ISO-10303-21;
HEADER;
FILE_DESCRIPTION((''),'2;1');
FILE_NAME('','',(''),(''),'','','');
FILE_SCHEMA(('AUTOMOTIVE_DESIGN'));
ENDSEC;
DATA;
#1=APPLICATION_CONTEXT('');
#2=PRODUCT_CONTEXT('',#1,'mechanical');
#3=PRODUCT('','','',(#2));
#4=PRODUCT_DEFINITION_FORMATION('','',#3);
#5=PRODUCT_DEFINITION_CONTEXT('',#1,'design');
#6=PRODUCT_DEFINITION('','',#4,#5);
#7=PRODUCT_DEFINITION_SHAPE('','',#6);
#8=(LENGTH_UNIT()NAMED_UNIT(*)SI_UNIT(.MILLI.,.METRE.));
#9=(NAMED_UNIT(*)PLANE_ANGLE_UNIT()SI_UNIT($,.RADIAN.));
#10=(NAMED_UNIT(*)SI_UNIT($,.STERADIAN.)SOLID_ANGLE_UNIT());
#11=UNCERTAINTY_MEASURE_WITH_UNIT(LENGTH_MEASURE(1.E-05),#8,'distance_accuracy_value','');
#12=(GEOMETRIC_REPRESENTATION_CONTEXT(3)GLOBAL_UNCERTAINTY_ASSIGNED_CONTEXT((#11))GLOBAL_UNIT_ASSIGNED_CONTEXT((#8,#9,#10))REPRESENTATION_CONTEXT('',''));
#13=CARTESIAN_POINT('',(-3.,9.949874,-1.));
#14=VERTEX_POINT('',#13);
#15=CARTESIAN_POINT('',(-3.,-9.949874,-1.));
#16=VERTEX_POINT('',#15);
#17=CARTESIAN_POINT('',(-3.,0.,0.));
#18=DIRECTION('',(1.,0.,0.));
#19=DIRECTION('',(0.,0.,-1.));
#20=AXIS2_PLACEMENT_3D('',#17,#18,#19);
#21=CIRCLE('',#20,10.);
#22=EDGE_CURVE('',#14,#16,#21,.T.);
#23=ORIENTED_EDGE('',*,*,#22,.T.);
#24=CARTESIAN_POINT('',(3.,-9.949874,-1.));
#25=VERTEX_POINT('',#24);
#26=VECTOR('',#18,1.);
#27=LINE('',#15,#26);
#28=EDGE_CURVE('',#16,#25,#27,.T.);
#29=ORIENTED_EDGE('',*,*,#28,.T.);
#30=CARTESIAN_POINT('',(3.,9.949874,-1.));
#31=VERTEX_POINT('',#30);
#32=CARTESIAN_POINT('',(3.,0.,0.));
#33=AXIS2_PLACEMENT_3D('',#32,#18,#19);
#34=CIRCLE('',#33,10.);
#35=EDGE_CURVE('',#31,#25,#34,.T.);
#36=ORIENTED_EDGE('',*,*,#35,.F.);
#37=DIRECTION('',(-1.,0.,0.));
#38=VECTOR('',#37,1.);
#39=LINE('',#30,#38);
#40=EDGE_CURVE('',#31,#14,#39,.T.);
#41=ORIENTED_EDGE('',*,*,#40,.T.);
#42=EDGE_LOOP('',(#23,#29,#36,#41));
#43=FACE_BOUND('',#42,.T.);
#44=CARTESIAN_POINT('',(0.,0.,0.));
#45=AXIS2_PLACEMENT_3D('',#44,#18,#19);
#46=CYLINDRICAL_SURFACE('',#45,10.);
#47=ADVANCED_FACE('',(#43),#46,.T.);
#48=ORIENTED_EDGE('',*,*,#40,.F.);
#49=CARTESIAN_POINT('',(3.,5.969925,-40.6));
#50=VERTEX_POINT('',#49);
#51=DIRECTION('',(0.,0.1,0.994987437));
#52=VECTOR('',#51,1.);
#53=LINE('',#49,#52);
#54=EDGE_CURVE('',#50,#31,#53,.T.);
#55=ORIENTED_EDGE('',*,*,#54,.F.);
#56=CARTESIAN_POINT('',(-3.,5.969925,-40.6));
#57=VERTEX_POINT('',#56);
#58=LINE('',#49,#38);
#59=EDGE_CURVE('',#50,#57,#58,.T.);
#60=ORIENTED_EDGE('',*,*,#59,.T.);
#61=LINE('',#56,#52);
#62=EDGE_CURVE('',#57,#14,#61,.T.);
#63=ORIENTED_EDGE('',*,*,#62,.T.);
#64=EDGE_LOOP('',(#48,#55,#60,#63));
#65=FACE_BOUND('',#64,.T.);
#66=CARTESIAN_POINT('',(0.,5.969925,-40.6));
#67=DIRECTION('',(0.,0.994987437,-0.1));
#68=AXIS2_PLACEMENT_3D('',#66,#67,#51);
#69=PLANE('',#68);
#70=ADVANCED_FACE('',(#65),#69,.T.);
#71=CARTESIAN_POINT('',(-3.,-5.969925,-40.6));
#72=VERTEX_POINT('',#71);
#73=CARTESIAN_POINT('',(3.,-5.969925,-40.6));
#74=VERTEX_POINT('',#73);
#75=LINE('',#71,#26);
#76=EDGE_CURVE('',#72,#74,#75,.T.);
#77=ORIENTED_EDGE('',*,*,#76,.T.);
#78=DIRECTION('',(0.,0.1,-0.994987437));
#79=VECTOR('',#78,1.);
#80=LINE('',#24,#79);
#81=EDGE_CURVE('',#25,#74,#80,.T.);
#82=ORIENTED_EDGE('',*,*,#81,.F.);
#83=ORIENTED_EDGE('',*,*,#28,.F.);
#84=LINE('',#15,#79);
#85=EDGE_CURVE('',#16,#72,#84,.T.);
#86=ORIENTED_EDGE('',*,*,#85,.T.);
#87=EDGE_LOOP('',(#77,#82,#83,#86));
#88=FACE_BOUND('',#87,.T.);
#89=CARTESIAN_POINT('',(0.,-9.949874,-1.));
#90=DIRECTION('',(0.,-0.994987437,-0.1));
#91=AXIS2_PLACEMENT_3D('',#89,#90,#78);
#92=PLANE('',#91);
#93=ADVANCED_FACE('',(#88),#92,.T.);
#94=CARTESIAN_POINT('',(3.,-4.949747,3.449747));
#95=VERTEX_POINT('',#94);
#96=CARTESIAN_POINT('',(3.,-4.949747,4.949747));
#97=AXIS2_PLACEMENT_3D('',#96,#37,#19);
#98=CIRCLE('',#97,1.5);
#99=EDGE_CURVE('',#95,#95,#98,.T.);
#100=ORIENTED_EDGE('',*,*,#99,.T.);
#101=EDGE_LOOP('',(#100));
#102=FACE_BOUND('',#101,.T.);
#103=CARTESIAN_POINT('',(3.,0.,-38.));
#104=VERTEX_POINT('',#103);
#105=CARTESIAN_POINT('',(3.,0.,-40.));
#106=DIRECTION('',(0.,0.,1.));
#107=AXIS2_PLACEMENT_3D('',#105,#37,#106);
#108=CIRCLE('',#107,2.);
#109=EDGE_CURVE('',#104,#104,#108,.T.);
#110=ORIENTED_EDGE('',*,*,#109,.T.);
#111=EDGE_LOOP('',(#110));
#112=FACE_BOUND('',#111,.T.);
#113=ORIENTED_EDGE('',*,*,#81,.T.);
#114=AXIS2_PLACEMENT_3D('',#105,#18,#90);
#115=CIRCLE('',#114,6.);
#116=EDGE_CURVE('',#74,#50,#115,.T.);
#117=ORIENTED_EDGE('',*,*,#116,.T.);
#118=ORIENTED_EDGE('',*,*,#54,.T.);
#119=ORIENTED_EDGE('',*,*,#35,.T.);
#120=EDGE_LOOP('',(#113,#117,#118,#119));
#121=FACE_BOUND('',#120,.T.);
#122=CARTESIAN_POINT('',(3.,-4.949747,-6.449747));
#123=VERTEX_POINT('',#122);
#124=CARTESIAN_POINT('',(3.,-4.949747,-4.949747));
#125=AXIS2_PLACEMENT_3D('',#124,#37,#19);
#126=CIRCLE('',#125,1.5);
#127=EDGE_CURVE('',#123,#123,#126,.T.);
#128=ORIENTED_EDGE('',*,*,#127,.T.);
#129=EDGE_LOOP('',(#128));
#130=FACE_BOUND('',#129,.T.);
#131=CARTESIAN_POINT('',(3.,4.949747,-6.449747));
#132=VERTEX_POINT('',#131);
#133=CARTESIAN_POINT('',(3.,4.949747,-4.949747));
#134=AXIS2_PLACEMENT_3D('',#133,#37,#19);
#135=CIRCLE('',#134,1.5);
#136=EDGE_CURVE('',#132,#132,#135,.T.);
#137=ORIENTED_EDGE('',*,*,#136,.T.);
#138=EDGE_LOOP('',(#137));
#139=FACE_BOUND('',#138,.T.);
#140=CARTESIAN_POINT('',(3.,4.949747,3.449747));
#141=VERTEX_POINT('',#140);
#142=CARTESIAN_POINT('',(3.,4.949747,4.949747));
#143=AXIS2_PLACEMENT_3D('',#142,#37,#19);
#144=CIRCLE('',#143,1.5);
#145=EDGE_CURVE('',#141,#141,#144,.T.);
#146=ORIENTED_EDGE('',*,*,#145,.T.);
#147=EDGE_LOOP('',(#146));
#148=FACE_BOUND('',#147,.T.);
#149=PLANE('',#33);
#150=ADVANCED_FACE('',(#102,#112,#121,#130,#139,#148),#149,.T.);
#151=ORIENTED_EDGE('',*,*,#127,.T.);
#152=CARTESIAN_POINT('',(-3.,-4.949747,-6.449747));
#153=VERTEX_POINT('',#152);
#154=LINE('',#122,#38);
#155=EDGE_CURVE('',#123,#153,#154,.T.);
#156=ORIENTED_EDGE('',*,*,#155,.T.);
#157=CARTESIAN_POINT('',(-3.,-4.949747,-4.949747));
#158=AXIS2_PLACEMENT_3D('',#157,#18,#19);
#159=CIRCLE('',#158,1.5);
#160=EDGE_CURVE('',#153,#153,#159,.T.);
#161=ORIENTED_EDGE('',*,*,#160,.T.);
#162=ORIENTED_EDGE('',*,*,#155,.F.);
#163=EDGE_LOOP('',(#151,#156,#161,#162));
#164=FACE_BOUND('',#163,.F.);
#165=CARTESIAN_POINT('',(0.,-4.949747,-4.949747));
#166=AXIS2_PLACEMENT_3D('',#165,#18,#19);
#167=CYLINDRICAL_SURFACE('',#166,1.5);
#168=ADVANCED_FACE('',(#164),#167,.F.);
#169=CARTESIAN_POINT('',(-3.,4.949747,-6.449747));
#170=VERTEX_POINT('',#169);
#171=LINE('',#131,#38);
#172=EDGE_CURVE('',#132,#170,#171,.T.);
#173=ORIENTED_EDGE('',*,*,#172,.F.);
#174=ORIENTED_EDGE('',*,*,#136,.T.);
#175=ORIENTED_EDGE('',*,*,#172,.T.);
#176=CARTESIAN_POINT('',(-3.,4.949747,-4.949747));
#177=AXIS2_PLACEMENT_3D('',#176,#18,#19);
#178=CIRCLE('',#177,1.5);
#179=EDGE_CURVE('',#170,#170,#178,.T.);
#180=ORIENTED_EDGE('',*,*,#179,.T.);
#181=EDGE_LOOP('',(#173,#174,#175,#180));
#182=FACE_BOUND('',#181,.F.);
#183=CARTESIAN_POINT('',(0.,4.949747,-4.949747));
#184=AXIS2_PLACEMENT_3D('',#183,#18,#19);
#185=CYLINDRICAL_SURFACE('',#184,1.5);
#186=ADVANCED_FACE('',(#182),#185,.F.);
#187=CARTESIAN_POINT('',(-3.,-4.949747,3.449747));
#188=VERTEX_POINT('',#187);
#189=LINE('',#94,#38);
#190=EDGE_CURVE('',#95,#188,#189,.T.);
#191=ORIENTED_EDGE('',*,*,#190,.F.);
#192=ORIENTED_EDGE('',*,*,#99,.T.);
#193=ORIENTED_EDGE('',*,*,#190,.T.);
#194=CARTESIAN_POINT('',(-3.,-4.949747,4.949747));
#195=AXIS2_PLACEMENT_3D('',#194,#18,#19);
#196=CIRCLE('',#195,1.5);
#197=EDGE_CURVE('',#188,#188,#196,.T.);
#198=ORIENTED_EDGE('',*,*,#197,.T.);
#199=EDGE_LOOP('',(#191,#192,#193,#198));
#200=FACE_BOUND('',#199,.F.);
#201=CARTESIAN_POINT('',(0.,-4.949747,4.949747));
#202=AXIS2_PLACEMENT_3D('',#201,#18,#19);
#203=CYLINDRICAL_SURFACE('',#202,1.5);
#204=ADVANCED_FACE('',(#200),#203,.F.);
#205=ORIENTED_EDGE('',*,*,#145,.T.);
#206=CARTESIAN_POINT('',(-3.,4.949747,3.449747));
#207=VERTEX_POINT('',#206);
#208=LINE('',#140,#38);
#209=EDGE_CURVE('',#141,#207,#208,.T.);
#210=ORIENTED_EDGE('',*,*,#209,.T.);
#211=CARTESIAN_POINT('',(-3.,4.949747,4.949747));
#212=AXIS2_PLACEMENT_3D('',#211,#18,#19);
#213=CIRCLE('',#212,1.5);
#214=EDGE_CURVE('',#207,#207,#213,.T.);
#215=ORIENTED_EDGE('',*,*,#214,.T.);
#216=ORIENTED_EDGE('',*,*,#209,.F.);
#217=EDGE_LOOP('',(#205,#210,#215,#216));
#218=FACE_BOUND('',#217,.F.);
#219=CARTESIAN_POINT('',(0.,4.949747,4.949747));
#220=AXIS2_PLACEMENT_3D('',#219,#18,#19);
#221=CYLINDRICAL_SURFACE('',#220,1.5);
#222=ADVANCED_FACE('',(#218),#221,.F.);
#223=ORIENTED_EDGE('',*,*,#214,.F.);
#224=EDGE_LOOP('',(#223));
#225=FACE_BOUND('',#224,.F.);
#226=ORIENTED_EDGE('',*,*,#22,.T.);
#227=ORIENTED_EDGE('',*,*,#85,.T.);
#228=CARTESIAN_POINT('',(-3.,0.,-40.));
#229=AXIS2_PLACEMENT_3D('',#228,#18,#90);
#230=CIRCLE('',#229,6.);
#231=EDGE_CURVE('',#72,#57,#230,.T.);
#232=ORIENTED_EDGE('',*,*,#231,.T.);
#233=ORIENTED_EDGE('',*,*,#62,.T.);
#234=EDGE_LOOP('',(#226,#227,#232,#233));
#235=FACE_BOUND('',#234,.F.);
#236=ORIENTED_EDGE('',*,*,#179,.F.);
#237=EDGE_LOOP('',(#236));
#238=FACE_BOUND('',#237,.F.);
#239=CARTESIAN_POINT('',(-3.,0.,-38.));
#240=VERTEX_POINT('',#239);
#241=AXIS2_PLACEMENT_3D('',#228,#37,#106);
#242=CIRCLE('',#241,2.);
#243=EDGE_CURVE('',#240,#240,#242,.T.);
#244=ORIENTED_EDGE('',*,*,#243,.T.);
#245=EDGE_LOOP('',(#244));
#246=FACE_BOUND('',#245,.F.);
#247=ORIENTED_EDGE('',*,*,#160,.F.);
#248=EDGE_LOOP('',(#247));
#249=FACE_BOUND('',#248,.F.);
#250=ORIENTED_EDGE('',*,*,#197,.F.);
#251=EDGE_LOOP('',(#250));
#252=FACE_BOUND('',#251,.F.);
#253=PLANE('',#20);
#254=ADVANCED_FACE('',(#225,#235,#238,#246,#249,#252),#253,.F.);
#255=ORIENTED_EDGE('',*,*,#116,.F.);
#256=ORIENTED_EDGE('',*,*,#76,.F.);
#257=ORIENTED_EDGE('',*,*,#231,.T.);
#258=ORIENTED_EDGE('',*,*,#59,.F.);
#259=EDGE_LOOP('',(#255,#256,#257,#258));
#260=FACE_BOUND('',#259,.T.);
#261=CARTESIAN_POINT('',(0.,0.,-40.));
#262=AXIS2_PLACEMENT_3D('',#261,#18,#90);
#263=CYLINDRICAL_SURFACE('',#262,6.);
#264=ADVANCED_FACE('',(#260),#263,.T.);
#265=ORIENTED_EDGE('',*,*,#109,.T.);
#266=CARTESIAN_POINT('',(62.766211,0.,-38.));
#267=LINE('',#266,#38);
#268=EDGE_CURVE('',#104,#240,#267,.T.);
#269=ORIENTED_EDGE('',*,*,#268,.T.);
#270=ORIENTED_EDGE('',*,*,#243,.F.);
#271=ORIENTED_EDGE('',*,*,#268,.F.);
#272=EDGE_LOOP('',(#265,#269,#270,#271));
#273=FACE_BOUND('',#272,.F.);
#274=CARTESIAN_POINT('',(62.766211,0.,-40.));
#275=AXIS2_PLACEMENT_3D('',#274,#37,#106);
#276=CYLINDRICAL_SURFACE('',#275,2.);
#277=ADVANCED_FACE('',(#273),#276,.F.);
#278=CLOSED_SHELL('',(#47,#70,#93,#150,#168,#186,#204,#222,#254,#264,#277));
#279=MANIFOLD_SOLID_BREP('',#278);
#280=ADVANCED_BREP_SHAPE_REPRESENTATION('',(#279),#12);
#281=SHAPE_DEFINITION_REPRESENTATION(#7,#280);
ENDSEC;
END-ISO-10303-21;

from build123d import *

# Parameters (mm, degrees)
SKETCH1_R               = 10
SKETCH1_R_2             = 6
BOSS_EXTRUDE1_DEPTH     = 3
SKETCH2_R               = 1.5
CUT_EXTRUDE1_DEPTH      = 4
CUT_EXTRUDE1_DEPTH_BACK = 4
F_4_0MM_DOWEL_HOLE1_D   = 4


with BuildPart() as part:
    # Sketch1 → Boss-Extrude1 (new body, symmetric)
    with BuildSketch(Plane(origin=(0, 0, 0), x_dir=(0, 0, -1), z_dir=(1, 0, 0))):
        Circle(SKETCH1_R)
        with BuildLine():
            ThreePointArc((40.6, -5.969924623), (34, 0), (40.6, 5.969924623))
            Line((40.6, 5.969924623), (1, 9.949874371))
            ThreePointArc((1, 9.949874371), (7.416198487, 6.708203932), (10, 0))
            ThreePointArc((10, 0), (7.416198487, -6.708203933), (1, -9.949874371))
            Line((1, -9.949874371), (40.6, -5.969924623))
        make_face()
        with Locations((40, 0)):
            Circle(SKETCH1_R_2)
    extrude(amount=BOSS_EXTRUDE1_DEPTH, both=True)

    # Sketch2 → Cut-Extrude1 (cut, two sides)
    with BuildSketch(Plane(origin=(0, 0, 0), x_dir=(0, 0, -1), z_dir=(1, 0, 0))) as cut_extrude1_sk:
        with Locations((4.949747468, 4.949747468)):
            Circle(SKETCH2_R)
        with Locations((4.949747468, -4.949747468)):
            Circle(SKETCH2_R)
        with Locations((-4.949747468, -4.949747468)):
            Circle(SKETCH2_R)
        with Locations((-4.949747468, 4.949747468)):
            Circle(SKETCH2_R)
    extrude(amount=CUT_EXTRUDE1_DEPTH, mode=Mode.SUBTRACT)
    extrude(cut_extrude1_sk.sketch, amount=-CUT_EXTRUDE1_DEPTH_BACK, mode=Mode.SUBTRACT)

    # 4.0mm Dowel Hole1 (through all)
    with Locations(Plane(origin=(3, 0, 0), x_dir=(0, 0, -1), z_dir=(1, 0, 0))):
        with Locations((40, 0)):
            Hole(F_4_0MM_DOWEL_HOLE1_D / 2)


solid = part.part
